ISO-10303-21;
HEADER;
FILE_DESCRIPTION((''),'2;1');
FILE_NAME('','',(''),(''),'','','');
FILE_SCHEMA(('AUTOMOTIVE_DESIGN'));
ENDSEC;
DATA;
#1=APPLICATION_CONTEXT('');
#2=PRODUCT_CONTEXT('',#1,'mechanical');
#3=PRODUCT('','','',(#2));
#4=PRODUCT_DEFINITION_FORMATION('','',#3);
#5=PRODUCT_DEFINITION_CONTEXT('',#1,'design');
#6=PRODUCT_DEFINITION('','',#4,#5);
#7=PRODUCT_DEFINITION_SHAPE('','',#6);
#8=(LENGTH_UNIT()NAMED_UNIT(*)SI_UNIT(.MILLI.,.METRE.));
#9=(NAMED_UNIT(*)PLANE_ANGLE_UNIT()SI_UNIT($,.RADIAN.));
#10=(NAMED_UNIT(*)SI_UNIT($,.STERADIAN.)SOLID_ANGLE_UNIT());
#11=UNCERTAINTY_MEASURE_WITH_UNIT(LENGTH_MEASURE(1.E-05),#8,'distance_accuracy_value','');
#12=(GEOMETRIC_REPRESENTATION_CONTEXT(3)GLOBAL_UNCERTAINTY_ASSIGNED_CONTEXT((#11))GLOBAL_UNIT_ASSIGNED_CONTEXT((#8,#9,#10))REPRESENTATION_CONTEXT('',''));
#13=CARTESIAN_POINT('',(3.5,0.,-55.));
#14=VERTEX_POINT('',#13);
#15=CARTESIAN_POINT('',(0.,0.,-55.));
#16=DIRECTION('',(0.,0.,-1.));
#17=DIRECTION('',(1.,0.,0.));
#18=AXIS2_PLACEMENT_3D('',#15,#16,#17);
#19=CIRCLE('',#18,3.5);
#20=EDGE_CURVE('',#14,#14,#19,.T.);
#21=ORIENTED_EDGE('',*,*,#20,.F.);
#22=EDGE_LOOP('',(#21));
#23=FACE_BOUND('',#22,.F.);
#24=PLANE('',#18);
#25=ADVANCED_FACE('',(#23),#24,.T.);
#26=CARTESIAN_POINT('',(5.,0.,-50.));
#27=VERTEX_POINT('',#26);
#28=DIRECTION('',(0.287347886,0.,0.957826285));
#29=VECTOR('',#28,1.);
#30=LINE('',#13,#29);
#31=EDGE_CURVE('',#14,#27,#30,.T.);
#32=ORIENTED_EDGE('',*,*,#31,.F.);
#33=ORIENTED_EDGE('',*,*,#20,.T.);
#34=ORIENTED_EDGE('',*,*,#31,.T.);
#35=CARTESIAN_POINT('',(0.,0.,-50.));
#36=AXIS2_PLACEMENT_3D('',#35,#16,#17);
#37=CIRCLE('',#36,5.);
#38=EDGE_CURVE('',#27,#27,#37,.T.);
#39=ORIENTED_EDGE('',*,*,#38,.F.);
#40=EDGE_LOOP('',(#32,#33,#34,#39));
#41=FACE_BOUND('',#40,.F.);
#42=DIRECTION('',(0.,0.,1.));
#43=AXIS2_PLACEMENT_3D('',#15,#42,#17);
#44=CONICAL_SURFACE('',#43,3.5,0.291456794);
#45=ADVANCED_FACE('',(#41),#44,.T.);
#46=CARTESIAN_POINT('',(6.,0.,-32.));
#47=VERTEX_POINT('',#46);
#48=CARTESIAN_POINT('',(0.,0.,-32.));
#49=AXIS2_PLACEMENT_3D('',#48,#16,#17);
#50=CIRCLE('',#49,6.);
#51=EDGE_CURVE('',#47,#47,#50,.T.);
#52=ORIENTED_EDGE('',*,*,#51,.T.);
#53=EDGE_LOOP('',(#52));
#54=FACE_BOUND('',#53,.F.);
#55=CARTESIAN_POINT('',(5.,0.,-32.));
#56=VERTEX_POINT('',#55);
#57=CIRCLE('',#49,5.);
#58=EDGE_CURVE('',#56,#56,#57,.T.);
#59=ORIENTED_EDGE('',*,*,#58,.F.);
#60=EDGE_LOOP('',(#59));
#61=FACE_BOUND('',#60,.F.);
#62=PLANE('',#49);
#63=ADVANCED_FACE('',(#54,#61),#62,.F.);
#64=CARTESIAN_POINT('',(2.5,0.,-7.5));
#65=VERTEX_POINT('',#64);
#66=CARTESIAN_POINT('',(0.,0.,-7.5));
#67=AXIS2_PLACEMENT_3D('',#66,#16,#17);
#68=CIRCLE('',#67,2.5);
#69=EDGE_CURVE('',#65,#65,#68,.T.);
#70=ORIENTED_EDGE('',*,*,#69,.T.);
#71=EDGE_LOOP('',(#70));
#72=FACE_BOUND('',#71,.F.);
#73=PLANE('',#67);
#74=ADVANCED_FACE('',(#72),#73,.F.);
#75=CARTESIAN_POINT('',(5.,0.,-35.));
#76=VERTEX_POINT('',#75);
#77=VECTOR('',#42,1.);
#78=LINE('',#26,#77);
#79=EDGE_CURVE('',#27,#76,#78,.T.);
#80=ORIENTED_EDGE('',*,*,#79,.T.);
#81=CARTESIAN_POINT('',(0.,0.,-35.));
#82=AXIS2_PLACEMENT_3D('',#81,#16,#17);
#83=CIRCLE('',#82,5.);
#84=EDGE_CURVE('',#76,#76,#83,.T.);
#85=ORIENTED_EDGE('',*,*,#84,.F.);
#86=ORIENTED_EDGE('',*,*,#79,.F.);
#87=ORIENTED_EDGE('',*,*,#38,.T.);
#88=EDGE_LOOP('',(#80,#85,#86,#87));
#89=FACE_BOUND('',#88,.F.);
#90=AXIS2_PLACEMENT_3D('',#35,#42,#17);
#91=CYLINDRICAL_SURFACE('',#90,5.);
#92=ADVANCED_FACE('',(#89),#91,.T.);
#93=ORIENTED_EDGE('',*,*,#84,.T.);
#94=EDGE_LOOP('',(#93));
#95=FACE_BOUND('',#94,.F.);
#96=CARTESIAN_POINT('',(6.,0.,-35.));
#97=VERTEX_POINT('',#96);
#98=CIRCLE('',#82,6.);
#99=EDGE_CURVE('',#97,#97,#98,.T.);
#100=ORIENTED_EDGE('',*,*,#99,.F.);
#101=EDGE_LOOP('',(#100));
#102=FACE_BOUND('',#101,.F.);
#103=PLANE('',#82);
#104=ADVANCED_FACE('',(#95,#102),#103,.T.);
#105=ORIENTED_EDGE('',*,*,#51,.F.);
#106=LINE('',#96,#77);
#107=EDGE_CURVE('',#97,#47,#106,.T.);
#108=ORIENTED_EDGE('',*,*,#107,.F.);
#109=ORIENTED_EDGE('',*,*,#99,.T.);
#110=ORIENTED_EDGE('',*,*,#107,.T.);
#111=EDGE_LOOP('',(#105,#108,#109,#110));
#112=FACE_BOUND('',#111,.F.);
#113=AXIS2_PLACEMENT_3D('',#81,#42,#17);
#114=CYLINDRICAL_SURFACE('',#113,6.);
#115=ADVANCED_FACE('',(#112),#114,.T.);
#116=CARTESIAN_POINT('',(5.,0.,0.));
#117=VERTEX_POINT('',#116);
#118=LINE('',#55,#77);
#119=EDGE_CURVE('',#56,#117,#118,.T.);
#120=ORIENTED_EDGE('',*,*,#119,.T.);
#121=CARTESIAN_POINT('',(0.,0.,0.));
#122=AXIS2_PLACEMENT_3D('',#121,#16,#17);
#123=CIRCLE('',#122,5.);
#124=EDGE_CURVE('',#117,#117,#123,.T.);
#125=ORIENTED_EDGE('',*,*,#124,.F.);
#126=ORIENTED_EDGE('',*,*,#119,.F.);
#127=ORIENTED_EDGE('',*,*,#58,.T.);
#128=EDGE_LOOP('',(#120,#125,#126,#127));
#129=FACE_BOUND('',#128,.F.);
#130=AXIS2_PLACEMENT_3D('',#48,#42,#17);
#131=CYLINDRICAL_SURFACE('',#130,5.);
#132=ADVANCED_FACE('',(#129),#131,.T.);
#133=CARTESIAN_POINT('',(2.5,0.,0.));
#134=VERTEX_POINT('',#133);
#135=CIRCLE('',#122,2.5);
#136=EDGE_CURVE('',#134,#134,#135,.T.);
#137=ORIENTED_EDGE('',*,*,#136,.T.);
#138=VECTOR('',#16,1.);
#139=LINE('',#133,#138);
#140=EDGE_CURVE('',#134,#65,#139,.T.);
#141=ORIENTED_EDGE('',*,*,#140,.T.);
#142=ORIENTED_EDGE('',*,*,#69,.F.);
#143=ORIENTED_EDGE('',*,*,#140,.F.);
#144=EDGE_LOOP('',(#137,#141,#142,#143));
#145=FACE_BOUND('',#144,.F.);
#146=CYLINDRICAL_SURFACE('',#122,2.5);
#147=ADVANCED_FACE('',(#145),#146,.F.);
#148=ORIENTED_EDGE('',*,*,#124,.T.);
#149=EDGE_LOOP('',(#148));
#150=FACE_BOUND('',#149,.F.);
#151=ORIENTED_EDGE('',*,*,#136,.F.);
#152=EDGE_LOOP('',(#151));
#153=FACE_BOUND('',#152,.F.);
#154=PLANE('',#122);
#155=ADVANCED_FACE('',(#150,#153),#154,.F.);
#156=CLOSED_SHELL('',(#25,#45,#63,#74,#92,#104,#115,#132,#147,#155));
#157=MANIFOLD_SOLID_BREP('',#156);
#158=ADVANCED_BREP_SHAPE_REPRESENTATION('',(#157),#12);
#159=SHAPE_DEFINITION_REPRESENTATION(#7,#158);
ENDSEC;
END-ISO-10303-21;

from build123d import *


with BuildPart() as f1:
    # F0 (on Front) → F1 (revolve)
    with BuildSketch(Plane.XZ):
        Polygon((5, 0), (2.5, 0), (2.5, -7.5), (0, -7.5), (0, -32), (0, -35), (0, -50), (3.5, -50), (5, -50), (5, -35), (6, -35), (6, -32), (5, -32), align=None)
        Polygon((3.5, -50), (0, -50), (0, -55), (3.5, -55), (5, -50), align=None)
    revolve(axis=Axis((0, 0, -28.75), (0, 0, -1)))


solid = f1.part
